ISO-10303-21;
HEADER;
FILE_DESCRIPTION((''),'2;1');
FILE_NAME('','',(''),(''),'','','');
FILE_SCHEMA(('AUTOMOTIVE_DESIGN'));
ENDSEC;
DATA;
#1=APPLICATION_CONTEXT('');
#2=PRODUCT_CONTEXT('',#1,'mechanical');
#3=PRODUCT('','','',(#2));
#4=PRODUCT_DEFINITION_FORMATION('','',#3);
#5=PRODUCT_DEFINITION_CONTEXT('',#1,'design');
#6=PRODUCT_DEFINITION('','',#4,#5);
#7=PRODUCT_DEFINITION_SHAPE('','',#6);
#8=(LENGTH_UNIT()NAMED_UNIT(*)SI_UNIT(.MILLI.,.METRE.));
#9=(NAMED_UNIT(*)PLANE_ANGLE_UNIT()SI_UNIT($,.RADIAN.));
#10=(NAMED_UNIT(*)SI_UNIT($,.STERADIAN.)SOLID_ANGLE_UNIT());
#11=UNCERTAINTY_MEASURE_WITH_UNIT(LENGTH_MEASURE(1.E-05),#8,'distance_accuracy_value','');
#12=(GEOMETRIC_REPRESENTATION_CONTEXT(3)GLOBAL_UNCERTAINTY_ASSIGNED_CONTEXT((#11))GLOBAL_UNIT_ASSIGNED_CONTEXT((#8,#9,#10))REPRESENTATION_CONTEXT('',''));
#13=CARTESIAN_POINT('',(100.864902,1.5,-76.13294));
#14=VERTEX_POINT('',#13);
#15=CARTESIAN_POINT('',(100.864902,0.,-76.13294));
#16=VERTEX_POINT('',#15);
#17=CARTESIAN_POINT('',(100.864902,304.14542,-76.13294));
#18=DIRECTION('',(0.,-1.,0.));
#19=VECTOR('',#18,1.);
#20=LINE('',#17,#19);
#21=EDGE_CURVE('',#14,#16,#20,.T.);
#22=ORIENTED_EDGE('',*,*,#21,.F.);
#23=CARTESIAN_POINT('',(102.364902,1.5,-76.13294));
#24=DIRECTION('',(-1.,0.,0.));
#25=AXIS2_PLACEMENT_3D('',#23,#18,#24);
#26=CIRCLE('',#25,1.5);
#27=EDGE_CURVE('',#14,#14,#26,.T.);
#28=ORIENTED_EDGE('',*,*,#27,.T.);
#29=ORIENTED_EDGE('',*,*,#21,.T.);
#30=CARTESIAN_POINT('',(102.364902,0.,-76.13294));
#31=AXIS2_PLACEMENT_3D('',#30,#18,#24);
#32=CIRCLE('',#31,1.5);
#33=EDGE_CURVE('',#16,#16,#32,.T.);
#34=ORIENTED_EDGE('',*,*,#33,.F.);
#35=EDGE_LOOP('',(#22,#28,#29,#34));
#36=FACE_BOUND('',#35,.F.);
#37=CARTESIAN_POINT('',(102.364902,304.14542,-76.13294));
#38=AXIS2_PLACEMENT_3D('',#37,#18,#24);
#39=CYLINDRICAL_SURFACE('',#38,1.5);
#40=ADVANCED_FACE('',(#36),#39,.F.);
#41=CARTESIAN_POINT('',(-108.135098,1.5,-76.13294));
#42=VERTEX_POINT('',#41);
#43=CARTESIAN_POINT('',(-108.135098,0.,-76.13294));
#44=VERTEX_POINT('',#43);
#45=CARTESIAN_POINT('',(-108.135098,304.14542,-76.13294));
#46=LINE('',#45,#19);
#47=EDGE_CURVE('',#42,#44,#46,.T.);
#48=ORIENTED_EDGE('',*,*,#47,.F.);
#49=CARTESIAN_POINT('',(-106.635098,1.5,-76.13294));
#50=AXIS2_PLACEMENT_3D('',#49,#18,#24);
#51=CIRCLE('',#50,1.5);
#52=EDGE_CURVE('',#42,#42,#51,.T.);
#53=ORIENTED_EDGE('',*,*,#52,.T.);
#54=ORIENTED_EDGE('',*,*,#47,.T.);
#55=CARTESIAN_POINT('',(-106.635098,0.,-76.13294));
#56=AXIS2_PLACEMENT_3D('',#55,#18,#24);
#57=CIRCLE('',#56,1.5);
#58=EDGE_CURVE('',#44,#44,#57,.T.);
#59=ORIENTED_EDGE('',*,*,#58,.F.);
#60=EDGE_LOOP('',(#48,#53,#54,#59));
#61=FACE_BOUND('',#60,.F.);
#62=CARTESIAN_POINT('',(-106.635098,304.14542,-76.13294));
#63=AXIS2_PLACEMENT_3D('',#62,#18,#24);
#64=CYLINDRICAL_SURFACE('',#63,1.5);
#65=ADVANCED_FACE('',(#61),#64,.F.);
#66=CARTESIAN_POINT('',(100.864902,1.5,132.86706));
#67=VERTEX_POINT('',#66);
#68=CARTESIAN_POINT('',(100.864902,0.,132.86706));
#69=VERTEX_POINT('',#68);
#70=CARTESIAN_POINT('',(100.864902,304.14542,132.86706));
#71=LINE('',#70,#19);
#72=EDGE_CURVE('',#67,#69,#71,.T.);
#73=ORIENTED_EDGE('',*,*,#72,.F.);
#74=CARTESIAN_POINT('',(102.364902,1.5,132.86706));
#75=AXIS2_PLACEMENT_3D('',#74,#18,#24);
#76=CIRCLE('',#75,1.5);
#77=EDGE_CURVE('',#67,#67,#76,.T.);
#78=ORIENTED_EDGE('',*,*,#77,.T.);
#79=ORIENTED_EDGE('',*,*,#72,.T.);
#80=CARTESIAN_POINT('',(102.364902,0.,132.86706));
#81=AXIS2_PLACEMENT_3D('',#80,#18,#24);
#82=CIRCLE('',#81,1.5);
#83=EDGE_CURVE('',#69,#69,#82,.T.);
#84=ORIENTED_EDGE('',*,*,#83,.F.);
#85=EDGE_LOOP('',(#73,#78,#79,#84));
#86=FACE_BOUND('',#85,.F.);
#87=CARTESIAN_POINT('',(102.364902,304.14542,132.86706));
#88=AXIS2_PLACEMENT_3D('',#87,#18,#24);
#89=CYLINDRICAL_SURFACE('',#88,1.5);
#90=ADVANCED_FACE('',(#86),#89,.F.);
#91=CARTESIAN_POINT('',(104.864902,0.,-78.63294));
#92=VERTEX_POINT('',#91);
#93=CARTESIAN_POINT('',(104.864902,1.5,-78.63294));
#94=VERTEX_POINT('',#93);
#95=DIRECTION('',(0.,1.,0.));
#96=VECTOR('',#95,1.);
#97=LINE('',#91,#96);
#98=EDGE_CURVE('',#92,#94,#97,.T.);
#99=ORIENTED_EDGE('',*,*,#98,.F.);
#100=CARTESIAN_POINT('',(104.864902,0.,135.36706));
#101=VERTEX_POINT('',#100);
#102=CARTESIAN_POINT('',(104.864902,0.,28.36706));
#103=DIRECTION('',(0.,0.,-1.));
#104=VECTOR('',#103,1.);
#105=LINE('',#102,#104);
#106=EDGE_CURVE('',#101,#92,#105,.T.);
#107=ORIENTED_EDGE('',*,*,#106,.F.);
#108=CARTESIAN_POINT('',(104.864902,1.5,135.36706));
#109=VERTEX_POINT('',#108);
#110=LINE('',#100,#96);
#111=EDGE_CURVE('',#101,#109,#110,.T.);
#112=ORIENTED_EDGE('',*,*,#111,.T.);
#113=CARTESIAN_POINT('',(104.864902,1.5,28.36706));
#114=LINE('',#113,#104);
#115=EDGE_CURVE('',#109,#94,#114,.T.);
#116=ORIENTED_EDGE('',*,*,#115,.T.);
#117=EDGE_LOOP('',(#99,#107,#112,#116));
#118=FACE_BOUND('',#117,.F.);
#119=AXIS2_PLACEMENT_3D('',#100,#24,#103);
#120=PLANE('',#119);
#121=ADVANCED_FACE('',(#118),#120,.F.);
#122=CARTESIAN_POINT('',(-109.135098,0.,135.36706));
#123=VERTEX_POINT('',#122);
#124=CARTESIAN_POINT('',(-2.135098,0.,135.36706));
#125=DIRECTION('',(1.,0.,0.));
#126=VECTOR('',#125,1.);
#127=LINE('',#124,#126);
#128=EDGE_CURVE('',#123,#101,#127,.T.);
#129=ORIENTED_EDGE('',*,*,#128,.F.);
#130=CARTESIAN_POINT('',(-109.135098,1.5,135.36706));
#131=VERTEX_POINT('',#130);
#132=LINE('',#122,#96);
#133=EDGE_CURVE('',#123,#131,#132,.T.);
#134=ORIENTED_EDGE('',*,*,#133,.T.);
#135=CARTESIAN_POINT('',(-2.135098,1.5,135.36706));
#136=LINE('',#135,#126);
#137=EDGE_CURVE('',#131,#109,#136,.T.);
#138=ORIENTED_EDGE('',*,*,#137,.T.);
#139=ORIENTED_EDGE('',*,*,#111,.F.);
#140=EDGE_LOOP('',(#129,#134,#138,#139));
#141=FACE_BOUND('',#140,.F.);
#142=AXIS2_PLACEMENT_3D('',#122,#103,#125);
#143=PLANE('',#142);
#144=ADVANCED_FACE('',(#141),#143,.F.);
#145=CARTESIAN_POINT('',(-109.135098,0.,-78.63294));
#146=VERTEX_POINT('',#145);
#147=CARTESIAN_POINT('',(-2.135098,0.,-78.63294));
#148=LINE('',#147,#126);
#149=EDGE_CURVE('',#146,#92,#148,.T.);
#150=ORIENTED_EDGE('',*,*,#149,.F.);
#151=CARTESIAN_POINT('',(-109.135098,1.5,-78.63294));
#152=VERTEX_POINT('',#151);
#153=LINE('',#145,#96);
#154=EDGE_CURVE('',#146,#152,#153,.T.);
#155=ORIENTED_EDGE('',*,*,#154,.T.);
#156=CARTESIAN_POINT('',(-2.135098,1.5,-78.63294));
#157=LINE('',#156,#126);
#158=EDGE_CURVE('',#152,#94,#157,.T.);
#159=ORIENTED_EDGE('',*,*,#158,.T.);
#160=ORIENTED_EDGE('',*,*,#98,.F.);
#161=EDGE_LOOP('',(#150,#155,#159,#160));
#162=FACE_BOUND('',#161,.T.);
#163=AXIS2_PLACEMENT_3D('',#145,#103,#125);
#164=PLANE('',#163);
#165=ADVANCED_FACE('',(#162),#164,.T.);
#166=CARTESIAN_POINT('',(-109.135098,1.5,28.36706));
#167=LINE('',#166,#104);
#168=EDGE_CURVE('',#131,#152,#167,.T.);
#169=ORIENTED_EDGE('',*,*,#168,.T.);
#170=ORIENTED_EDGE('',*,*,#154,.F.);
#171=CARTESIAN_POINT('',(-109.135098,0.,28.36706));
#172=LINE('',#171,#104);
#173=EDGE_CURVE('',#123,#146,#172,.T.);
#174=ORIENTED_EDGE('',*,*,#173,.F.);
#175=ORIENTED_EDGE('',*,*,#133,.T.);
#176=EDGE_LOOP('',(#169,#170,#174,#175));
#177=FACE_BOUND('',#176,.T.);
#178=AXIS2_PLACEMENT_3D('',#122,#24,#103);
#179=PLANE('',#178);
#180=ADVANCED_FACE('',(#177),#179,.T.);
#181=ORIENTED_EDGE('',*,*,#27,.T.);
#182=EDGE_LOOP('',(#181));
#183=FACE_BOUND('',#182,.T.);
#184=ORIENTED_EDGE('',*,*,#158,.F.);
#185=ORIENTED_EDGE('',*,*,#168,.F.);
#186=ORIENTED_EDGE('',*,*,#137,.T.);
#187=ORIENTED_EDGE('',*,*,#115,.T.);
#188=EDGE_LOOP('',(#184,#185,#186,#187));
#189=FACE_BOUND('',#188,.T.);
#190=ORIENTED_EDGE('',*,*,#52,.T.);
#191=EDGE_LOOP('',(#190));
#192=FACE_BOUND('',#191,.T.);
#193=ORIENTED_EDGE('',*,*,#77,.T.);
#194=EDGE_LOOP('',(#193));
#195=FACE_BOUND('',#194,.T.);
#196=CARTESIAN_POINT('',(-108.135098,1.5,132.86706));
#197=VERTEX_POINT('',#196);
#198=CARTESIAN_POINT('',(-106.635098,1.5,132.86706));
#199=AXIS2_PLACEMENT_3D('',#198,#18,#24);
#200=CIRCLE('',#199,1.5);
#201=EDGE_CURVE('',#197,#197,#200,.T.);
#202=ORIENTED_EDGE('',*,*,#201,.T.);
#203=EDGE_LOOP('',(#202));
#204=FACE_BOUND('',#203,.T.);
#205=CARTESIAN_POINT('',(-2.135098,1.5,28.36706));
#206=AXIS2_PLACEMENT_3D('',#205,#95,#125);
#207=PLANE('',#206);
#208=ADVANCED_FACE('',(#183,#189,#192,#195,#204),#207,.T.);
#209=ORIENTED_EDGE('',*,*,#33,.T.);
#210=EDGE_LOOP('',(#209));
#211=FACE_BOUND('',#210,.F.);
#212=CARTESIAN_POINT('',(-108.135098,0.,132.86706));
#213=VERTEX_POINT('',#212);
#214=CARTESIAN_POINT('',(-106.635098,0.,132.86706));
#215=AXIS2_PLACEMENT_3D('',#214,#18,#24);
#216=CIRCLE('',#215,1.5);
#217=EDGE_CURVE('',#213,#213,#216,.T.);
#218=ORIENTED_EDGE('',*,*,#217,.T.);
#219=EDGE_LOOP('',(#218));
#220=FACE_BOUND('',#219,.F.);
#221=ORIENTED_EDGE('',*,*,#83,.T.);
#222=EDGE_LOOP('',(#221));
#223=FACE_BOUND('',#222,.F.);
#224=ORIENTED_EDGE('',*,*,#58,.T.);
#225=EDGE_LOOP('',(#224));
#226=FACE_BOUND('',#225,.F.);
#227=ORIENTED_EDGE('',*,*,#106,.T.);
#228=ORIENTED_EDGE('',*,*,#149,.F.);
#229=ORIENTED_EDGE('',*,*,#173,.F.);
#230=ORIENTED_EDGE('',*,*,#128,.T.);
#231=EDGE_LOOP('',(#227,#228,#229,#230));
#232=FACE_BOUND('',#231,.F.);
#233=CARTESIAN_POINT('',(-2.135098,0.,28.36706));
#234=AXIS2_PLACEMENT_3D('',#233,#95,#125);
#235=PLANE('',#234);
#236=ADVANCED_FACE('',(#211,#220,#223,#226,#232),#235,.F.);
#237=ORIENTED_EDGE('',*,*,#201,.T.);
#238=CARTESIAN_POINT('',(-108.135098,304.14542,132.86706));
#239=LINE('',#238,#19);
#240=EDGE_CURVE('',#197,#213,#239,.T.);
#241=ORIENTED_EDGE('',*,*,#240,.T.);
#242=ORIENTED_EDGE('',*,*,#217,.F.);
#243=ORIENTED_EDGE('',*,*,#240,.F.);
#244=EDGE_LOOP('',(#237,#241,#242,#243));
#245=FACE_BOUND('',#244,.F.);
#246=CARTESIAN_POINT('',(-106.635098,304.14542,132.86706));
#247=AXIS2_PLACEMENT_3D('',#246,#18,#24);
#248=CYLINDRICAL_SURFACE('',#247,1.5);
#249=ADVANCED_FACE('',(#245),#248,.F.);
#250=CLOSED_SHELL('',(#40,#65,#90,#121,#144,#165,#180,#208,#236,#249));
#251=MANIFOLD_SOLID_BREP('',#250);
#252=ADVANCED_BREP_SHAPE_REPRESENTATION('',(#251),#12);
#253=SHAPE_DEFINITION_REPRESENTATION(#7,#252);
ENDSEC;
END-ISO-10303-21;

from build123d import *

# Parameters (mm, degrees)
ESQUISSE1_W                   = 214
ESQUISSE1_H                   = 214
BOSS_EXTRU_1_DEPTH            = 1.5
DIAM_TRE_DU_PER_AGE_3_0_3_1_D = 3


with BuildPart() as part:
    # Esquisse1 → Boss.-Extru.1 (new body)
    with BuildSketch(Plane(origin=(0, 0, 0), x_dir=(1, 0, 0), z_dir=(0, 1, 0))):
        with Locations((-2.135097506, -28.367060458)):
            Rectangle(ESQUISSE1_W, ESQUISSE1_H)
    extrude(amount=BOSS_EXTRU_1_DEPTH)

    # Diamètre du perçage Ø3.0 (3)1 (through all)
    with Locations(Plane(origin=(0, 1.5, 0), x_dir=(1, 0, 0), z_dir=(0, 1, 0))):
        with Locations((-106.635097506, -132.867060458), (-106.635097506, 76.132939542), (102.364902494, 76.132939542), (102.364902494, -132.867060458)):
            Hole(DIAM_TRE_DU_PER_AGE_3_0_3_1_D / 2)


solid = part.part
